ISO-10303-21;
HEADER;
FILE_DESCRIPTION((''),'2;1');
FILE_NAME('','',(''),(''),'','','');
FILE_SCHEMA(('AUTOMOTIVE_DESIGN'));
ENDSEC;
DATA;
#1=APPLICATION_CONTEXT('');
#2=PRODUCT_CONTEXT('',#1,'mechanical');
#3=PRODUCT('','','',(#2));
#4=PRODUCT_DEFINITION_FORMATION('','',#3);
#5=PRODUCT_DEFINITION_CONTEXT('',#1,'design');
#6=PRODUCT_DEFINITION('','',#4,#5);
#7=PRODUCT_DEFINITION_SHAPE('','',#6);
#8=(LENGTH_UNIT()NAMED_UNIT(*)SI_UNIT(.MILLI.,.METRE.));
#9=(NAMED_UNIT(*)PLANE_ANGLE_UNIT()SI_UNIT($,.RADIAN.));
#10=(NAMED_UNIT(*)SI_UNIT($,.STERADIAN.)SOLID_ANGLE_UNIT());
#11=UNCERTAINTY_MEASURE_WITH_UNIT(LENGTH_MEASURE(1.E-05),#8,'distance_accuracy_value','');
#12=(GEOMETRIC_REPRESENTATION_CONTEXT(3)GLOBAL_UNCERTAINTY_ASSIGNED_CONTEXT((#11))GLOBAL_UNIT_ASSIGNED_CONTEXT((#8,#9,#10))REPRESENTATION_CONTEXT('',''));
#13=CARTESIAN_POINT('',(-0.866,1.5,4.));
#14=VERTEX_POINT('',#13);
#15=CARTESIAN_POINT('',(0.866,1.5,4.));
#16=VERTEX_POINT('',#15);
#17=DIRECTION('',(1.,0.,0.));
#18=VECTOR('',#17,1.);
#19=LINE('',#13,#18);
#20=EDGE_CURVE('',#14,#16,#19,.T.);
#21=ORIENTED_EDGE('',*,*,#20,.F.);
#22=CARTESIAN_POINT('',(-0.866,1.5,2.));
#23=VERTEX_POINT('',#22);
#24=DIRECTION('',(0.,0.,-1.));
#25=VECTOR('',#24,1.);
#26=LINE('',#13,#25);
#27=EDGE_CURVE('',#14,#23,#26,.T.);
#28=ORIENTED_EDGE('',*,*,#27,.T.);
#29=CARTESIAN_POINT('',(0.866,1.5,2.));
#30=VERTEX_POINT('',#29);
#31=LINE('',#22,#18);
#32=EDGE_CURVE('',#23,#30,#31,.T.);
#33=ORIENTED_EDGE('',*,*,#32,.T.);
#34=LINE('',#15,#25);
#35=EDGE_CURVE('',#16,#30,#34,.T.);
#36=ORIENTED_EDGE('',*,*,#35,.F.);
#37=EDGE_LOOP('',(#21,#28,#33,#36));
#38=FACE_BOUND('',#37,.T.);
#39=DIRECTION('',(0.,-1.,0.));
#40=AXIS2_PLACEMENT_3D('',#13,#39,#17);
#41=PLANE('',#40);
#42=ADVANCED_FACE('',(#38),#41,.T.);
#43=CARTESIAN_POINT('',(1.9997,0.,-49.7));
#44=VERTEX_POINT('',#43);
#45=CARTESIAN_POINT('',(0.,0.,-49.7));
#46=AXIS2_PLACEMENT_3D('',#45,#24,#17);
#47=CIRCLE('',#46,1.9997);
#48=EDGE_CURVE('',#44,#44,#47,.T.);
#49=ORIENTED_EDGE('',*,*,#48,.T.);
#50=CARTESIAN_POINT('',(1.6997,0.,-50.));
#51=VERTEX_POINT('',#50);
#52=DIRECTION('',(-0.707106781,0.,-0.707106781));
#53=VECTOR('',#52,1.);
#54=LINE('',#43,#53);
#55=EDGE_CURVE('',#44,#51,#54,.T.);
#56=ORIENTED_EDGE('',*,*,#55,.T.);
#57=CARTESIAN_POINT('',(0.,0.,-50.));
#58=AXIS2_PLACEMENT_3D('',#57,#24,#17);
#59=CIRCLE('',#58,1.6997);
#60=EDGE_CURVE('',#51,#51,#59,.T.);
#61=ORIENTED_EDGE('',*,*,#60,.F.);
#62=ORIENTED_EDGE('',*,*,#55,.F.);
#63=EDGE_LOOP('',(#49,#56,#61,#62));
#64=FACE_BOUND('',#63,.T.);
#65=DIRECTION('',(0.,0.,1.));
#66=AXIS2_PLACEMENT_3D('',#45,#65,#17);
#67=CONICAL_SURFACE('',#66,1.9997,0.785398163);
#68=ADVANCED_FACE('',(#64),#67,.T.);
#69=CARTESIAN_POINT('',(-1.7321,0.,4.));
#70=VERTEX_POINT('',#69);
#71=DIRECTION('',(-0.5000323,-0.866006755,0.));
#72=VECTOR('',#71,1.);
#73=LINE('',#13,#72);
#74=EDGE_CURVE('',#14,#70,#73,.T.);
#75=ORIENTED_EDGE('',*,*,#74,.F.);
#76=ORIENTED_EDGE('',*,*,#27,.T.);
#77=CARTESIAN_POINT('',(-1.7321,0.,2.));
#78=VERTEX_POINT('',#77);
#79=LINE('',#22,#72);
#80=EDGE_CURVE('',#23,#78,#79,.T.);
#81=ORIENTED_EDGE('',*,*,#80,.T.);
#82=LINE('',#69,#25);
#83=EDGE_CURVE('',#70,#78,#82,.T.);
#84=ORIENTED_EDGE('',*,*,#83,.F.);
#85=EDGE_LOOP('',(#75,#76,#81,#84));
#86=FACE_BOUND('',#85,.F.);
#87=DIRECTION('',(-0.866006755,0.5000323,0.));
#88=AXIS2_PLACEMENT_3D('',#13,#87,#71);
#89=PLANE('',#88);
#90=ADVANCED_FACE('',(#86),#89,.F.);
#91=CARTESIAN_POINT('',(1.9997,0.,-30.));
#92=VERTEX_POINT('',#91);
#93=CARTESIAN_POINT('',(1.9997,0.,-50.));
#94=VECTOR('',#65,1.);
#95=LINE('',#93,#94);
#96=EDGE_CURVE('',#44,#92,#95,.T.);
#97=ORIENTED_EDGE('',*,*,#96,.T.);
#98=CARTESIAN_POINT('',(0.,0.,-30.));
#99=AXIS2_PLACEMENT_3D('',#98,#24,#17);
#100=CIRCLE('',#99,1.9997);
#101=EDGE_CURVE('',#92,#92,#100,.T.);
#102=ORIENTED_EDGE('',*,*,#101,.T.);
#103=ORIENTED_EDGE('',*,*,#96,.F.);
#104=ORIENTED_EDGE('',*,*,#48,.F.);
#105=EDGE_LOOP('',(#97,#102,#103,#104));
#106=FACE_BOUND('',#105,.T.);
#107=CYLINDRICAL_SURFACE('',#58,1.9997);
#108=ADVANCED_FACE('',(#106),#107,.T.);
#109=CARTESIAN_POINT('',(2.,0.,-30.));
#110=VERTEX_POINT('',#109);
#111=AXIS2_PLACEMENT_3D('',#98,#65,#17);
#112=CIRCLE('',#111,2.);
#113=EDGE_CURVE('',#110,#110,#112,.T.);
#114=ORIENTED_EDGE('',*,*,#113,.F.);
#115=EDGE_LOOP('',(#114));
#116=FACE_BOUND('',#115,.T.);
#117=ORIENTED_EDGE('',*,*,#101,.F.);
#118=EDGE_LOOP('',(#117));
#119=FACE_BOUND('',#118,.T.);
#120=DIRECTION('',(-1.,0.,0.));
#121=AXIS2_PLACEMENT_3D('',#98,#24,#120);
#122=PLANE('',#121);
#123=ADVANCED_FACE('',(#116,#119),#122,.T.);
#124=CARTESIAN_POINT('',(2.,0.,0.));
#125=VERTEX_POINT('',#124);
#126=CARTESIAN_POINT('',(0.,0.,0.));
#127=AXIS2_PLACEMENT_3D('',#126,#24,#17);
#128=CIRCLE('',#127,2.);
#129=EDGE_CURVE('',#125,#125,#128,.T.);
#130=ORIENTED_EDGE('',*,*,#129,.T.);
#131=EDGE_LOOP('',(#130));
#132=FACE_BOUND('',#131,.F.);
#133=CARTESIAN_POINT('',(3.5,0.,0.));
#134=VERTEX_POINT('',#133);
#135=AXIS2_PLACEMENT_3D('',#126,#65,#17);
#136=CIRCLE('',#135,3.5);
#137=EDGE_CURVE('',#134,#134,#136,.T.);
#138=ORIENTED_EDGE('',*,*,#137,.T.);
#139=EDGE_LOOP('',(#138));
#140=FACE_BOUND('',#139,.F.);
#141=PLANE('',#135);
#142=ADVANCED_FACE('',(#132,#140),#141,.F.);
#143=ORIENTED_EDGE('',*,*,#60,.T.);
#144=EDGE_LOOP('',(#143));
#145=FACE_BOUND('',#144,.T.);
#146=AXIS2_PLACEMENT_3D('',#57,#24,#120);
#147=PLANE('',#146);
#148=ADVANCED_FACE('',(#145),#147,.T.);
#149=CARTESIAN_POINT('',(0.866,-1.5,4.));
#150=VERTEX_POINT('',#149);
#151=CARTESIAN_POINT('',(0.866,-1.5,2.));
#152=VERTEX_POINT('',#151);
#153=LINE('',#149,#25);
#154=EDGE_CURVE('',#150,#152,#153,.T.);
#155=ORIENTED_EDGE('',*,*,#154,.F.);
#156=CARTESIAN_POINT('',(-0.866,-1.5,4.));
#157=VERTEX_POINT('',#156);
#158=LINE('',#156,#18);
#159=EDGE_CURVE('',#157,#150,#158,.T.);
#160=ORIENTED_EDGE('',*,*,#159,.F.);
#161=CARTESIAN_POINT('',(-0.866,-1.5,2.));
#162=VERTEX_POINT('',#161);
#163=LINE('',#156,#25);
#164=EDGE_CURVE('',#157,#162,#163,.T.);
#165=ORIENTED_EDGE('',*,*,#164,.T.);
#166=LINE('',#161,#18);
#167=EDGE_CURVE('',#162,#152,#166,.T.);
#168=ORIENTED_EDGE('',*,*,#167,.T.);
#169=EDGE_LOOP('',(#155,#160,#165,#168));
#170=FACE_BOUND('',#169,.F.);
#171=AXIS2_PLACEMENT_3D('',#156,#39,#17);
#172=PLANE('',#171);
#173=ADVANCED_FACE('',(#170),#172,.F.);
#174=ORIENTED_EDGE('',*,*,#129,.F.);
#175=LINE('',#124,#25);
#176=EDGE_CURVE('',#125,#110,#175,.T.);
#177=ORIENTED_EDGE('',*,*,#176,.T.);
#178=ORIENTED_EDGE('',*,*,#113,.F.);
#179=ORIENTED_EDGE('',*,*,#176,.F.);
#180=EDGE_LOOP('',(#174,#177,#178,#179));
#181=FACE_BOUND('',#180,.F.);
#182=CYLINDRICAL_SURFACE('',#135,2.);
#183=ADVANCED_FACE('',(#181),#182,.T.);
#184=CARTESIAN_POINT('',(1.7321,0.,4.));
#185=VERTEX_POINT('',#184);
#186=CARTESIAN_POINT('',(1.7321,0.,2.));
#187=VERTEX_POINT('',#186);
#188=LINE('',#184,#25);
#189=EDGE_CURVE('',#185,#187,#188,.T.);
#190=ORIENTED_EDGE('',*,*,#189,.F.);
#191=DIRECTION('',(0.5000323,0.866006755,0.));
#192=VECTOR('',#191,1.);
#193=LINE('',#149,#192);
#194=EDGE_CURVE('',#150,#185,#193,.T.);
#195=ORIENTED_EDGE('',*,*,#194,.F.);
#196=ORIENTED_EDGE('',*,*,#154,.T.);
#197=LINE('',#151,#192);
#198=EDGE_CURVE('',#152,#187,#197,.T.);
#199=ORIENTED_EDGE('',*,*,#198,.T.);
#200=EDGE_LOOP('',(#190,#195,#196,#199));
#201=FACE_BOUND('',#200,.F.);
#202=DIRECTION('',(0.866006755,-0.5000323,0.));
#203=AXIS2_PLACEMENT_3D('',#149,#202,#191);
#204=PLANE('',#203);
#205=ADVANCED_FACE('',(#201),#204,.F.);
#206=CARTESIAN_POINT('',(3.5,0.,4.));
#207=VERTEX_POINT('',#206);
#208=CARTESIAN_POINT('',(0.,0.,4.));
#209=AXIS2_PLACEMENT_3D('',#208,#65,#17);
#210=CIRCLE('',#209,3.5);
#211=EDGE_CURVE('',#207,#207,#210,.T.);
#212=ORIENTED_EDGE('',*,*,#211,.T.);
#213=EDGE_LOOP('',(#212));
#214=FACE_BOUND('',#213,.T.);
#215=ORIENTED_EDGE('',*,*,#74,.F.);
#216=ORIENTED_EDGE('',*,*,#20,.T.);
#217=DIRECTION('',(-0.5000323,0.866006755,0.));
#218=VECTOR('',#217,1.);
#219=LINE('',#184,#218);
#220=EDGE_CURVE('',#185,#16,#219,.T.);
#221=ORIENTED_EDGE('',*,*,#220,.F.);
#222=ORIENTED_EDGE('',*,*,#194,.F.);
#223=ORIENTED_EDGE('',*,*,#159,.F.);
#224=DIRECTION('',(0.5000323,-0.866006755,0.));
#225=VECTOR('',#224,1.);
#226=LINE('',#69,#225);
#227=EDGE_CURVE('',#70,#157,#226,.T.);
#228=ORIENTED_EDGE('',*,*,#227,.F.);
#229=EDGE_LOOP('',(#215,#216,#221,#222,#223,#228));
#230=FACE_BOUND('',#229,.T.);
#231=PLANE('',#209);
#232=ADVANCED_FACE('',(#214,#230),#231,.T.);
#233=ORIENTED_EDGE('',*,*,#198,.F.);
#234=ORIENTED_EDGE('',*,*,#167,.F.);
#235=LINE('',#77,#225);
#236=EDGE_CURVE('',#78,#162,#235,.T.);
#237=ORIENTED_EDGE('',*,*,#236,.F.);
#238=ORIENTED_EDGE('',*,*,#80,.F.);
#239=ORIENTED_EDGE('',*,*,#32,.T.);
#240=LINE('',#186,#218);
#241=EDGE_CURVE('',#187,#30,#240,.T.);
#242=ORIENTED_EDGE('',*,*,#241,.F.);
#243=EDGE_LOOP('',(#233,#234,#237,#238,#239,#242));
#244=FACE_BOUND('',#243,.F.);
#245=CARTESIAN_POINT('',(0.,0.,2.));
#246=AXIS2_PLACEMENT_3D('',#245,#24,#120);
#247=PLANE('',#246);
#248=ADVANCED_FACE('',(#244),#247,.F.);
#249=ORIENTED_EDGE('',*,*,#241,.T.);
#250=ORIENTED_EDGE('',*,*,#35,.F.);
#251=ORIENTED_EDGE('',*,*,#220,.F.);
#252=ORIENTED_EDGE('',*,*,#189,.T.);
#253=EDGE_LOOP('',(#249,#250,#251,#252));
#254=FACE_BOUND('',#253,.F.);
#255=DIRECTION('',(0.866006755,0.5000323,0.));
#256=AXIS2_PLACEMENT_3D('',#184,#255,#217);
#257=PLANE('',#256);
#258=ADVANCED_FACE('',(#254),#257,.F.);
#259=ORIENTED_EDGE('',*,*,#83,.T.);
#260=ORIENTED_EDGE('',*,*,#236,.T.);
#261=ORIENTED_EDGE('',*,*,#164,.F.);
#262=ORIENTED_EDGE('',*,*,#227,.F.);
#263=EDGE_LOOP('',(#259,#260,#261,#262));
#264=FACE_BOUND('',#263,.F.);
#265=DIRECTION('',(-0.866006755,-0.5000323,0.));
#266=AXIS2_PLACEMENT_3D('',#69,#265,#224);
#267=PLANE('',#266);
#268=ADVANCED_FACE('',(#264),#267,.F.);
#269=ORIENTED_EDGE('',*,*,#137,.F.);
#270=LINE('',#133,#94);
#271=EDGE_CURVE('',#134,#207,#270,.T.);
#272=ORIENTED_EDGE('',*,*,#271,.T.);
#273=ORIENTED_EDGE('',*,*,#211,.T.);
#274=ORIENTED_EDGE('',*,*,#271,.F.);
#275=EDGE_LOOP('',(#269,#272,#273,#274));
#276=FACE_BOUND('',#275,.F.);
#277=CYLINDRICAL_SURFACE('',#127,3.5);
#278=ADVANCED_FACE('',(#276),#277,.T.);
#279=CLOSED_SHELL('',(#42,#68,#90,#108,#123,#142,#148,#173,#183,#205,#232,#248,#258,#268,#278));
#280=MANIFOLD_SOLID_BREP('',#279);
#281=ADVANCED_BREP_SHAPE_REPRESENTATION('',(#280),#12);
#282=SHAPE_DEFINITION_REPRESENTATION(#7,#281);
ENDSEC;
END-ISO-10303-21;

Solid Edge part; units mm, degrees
sketch "Sketch1" plane through (0, 0, 0) normal (0, 0, 1) x (1, 0, 0)
  circle A0 centre (0, 0) radius 3.5
  dimension "D1" = 7
extrude "Protrusion1" add sketch "Sketch1" along normal blind 4
sketch "Sketch2" plane through (0, 0, 0) normal (0, 0, -1) x (1, 0, 0)
  circle A0 centre (0, 0) radius 2
extrude "Protrusion2" add sketch "Sketch2" along normal blind 50
sketch "Sketch3" plane through (0, 0, -50) normal (0, 0, -1) x (1, 0, 0)
  circle A0 centre (0, 0) radius 1.9997
extrude "Cutout1" cut sketch "Sketch3" against normal blind 20 flip side to cut
chamfer "Chamfer_1" distance 0.3 angle 45 1 edges at (-1.9997, 0, -50)
sketch "Sketch4" plane through (0, 0, 4) normal (0, 0, 1) x (1, 0, 0)
  line L0 (-0.866, 1.5) -> (0.866, 1.5)
  line L1 (1.7321, 0) -> (0.866, 1.5)
  line L2 (0.866, -1.5) -> (1.7321, 0)
  line L3 (-0.866, -1.5) -> (0.866, -1.5)
  line L4 (-1.7321, 0) -> (-0.866, -1.5)
  line L5 (-0.866, 1.5) -> (-1.7321, 0)
  dimension "D1" = 3
extrude "Cutout2" cut sketch "Sketch4" against normal blind 2
properties part number "24101455"
